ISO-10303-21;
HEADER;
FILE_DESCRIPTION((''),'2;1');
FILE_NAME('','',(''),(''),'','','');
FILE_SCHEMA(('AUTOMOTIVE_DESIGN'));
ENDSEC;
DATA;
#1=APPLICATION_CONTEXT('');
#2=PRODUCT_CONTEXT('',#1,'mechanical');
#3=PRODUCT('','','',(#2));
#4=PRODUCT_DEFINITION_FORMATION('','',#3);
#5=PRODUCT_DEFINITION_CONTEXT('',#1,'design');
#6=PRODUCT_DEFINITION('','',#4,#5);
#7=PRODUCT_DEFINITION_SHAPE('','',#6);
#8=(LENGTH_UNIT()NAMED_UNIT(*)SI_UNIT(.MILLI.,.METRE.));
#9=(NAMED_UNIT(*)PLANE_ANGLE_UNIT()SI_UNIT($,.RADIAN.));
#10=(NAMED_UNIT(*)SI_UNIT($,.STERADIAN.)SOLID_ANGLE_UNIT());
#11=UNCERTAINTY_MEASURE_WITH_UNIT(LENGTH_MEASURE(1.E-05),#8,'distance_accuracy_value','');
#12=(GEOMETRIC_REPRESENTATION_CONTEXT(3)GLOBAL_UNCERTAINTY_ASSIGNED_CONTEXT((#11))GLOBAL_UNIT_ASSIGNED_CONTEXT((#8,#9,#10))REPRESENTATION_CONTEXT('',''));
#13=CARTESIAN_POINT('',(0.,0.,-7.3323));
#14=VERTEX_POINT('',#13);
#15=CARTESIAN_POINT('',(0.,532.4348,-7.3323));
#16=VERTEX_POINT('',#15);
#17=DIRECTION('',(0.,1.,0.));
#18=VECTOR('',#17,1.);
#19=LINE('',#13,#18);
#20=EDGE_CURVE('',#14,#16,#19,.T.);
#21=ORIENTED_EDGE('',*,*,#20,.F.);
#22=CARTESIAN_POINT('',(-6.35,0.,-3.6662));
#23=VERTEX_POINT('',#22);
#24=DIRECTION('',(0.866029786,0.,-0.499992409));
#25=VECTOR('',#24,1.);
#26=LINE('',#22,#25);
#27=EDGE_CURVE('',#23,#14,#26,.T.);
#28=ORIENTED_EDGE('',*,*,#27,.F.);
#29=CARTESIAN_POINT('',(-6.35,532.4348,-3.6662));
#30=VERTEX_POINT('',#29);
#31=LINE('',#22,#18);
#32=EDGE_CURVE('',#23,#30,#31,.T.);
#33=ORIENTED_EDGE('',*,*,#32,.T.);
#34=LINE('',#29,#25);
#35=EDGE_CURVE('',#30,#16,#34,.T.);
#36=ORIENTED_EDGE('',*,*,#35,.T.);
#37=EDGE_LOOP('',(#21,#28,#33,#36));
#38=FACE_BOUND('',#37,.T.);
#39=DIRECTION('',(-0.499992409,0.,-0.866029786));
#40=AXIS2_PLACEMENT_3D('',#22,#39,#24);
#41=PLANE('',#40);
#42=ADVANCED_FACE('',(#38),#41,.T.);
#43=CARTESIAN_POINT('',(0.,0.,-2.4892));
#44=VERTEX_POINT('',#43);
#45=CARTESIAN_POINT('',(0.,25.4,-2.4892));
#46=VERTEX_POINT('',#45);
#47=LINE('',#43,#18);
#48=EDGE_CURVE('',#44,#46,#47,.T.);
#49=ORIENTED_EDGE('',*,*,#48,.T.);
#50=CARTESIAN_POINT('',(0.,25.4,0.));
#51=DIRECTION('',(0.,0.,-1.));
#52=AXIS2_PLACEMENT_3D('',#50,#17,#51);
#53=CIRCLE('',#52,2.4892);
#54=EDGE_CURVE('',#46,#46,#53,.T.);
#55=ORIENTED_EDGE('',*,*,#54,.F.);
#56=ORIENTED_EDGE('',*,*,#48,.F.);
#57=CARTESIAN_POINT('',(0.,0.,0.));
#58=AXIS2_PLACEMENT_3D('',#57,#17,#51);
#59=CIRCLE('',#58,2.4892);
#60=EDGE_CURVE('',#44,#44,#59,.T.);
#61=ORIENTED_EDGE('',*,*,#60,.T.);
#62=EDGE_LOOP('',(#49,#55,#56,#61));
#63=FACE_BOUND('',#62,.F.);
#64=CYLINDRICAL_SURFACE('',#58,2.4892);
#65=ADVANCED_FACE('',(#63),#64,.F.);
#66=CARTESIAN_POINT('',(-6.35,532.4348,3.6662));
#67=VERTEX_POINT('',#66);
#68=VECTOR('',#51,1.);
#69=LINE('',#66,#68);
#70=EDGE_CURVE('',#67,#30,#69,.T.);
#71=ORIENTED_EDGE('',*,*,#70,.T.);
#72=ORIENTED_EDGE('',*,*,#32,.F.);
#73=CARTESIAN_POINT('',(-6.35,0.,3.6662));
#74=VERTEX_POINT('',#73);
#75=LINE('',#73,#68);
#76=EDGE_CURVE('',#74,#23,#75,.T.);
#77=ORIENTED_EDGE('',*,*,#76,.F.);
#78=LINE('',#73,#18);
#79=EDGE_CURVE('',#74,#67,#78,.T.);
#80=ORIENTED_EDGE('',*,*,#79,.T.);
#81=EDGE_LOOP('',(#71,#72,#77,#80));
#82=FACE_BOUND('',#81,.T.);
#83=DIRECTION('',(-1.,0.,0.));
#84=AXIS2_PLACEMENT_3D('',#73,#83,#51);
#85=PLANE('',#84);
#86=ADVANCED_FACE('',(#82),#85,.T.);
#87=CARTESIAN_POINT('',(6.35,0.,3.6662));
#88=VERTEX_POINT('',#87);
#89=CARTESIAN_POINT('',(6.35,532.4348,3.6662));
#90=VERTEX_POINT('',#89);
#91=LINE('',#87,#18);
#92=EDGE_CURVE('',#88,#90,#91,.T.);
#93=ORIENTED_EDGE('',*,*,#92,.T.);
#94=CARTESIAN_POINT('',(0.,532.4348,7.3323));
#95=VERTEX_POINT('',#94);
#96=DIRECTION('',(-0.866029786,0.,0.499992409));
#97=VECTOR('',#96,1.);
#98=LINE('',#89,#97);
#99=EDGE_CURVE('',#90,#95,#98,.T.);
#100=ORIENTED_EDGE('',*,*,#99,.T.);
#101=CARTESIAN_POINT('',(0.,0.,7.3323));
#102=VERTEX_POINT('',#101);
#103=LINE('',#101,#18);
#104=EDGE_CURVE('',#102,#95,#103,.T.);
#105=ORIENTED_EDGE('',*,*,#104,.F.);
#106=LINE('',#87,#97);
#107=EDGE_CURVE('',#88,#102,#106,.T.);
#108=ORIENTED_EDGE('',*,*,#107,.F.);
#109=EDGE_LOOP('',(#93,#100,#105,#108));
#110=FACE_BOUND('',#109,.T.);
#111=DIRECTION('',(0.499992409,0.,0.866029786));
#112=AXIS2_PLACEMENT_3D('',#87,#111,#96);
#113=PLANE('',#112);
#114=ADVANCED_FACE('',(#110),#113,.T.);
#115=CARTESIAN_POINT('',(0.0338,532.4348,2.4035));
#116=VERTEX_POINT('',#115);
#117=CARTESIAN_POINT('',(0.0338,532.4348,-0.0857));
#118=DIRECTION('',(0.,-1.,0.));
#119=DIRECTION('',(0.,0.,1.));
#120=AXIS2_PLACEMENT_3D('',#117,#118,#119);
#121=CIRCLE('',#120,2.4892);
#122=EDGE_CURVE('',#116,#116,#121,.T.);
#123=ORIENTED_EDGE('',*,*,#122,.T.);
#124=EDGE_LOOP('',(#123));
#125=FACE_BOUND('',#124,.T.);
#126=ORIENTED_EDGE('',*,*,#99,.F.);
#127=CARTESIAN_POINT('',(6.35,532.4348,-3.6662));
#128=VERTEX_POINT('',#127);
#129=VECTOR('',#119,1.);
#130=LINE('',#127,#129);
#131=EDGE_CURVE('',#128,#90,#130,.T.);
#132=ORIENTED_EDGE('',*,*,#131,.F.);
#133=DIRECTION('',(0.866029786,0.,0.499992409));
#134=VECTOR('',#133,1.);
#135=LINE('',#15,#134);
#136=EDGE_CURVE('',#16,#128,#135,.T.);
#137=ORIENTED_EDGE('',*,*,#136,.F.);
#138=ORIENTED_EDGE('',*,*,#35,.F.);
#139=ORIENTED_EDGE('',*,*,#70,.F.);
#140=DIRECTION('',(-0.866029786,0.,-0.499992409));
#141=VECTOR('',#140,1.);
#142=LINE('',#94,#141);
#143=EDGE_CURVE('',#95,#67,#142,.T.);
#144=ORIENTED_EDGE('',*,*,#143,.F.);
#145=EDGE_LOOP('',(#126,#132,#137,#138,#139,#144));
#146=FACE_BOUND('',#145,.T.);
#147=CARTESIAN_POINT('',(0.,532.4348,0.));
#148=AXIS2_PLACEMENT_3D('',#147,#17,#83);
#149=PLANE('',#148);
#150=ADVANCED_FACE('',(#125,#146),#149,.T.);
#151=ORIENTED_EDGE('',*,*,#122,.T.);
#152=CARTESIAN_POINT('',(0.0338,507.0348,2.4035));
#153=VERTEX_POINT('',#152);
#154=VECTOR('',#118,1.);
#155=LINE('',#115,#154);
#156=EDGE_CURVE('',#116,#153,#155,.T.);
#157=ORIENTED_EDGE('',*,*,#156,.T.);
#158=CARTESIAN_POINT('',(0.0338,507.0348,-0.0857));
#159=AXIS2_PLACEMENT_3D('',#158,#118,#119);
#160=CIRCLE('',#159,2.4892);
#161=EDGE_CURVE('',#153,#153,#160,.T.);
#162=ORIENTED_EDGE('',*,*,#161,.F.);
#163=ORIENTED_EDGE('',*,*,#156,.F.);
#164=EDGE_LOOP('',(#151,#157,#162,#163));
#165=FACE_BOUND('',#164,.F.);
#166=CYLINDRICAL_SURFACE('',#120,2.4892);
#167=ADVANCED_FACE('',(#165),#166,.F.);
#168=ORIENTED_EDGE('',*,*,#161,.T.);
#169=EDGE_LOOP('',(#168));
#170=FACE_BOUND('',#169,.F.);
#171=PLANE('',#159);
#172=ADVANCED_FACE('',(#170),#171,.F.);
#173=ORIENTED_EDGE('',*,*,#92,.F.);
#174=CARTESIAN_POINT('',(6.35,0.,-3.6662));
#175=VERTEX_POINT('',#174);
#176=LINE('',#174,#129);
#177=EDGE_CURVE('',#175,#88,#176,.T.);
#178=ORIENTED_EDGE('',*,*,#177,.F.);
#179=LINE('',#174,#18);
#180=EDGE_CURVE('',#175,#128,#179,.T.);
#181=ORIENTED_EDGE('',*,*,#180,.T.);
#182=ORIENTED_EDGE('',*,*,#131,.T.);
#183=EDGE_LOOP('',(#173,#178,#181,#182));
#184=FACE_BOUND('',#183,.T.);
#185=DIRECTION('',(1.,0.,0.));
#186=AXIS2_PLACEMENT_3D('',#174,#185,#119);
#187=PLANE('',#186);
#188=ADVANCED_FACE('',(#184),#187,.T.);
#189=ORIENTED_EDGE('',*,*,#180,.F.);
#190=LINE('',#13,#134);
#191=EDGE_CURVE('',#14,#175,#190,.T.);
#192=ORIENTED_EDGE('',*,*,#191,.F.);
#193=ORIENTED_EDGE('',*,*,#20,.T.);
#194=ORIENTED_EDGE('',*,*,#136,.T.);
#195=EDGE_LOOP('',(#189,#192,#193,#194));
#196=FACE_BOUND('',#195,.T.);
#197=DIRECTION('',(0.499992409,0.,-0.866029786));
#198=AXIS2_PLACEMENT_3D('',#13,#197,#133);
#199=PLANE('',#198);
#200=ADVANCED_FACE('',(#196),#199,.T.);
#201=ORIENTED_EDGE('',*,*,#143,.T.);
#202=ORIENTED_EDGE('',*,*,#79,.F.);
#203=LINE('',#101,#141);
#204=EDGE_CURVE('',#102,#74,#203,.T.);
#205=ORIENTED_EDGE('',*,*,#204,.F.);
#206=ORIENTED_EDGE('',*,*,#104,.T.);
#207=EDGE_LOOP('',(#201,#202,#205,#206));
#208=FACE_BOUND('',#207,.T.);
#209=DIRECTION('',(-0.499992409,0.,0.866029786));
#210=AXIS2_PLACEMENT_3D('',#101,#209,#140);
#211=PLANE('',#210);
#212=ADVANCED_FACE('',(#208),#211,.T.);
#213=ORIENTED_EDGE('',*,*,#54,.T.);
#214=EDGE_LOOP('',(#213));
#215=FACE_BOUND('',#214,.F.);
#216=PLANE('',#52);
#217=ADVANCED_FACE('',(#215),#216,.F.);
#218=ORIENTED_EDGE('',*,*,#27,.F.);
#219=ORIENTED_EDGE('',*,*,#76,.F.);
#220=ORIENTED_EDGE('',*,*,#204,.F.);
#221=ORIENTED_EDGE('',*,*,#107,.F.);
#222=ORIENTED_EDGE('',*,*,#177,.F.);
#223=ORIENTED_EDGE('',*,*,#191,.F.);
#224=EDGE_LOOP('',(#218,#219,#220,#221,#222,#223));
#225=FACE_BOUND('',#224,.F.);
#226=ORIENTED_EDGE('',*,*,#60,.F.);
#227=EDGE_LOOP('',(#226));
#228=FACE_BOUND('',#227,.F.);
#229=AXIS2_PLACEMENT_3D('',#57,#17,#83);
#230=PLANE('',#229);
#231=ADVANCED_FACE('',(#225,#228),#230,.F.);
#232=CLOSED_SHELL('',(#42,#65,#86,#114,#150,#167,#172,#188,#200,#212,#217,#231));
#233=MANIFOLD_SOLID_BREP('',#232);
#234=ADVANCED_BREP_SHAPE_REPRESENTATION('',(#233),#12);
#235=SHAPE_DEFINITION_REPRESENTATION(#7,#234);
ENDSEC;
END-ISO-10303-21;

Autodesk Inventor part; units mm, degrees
ref_plane "YZ Plane" through (0, 0, 0) normal (1, 0, 0) x (0, 1, 0)
ref_plane "XZ Plane" through (0, 0, 0) normal (0, 1, 0) x (-1, 0, 0)
ref_plane "XY Plane" through (0, 0, 0) normal (0, 0, 1) x (1, 0, 0)
sketch "Sketch1" plane through (0, 0, 0) normal (0, 1, 0) x (-1, 0, 0)
  line L0 (6.35, -3.6662) -> (0, -7.3323)
  line L1 (0, -7.3323) -> (-6.35, -3.6662)
  line L2 (-6.35, -3.6662) -> (-6.35, 3.6662)
  line L3 (-6.35, 3.6662) -> (0, 7.3323)
  line L4 (0, 7.3323) -> (6.35, 3.6662)
  line L5 (6.35, 3.6662) -> (6.35, -3.6662)
  point P0 (0, 0)
  point P1 (0, 0)
  point P2 (0, 0)
  dimension "d0" = 12.7
extrude "Extrusion1" add sketch "Sketch1" along normal blind 532.4348
sketch "Sketch2" plane through (0, 0, 0) normal (0, -1, 0) x (1, 0, 0)
  point P0 (0, 0)
  point P1 (0, 0)
hole "Hole1" at (0, 0, 0) direction (0, 1, 0) diameter 4.9784 depth 25.4 thread size "1/4-20 UNC" class "2B" standard "ANSI Unified Screw Threads"
sketch "Sketch3" plane through (0, 532.4348, 0) normal (0, 1, 0) x (1, 0, 0)
  point P0 (0, 0)
  point P1 (0.0338, 0.0857)
hole "Hole2" at (0.0338, 532.4348, -0.0857) direction (0, -1, 0) diameter 4.9784 depth 25.4 thread size "1/4-20 UNC" class "2B" standard "ANSI Unified Screw Threads"
properties part number "INTK_003_HexShaft5" material "Aluminum 7075"
